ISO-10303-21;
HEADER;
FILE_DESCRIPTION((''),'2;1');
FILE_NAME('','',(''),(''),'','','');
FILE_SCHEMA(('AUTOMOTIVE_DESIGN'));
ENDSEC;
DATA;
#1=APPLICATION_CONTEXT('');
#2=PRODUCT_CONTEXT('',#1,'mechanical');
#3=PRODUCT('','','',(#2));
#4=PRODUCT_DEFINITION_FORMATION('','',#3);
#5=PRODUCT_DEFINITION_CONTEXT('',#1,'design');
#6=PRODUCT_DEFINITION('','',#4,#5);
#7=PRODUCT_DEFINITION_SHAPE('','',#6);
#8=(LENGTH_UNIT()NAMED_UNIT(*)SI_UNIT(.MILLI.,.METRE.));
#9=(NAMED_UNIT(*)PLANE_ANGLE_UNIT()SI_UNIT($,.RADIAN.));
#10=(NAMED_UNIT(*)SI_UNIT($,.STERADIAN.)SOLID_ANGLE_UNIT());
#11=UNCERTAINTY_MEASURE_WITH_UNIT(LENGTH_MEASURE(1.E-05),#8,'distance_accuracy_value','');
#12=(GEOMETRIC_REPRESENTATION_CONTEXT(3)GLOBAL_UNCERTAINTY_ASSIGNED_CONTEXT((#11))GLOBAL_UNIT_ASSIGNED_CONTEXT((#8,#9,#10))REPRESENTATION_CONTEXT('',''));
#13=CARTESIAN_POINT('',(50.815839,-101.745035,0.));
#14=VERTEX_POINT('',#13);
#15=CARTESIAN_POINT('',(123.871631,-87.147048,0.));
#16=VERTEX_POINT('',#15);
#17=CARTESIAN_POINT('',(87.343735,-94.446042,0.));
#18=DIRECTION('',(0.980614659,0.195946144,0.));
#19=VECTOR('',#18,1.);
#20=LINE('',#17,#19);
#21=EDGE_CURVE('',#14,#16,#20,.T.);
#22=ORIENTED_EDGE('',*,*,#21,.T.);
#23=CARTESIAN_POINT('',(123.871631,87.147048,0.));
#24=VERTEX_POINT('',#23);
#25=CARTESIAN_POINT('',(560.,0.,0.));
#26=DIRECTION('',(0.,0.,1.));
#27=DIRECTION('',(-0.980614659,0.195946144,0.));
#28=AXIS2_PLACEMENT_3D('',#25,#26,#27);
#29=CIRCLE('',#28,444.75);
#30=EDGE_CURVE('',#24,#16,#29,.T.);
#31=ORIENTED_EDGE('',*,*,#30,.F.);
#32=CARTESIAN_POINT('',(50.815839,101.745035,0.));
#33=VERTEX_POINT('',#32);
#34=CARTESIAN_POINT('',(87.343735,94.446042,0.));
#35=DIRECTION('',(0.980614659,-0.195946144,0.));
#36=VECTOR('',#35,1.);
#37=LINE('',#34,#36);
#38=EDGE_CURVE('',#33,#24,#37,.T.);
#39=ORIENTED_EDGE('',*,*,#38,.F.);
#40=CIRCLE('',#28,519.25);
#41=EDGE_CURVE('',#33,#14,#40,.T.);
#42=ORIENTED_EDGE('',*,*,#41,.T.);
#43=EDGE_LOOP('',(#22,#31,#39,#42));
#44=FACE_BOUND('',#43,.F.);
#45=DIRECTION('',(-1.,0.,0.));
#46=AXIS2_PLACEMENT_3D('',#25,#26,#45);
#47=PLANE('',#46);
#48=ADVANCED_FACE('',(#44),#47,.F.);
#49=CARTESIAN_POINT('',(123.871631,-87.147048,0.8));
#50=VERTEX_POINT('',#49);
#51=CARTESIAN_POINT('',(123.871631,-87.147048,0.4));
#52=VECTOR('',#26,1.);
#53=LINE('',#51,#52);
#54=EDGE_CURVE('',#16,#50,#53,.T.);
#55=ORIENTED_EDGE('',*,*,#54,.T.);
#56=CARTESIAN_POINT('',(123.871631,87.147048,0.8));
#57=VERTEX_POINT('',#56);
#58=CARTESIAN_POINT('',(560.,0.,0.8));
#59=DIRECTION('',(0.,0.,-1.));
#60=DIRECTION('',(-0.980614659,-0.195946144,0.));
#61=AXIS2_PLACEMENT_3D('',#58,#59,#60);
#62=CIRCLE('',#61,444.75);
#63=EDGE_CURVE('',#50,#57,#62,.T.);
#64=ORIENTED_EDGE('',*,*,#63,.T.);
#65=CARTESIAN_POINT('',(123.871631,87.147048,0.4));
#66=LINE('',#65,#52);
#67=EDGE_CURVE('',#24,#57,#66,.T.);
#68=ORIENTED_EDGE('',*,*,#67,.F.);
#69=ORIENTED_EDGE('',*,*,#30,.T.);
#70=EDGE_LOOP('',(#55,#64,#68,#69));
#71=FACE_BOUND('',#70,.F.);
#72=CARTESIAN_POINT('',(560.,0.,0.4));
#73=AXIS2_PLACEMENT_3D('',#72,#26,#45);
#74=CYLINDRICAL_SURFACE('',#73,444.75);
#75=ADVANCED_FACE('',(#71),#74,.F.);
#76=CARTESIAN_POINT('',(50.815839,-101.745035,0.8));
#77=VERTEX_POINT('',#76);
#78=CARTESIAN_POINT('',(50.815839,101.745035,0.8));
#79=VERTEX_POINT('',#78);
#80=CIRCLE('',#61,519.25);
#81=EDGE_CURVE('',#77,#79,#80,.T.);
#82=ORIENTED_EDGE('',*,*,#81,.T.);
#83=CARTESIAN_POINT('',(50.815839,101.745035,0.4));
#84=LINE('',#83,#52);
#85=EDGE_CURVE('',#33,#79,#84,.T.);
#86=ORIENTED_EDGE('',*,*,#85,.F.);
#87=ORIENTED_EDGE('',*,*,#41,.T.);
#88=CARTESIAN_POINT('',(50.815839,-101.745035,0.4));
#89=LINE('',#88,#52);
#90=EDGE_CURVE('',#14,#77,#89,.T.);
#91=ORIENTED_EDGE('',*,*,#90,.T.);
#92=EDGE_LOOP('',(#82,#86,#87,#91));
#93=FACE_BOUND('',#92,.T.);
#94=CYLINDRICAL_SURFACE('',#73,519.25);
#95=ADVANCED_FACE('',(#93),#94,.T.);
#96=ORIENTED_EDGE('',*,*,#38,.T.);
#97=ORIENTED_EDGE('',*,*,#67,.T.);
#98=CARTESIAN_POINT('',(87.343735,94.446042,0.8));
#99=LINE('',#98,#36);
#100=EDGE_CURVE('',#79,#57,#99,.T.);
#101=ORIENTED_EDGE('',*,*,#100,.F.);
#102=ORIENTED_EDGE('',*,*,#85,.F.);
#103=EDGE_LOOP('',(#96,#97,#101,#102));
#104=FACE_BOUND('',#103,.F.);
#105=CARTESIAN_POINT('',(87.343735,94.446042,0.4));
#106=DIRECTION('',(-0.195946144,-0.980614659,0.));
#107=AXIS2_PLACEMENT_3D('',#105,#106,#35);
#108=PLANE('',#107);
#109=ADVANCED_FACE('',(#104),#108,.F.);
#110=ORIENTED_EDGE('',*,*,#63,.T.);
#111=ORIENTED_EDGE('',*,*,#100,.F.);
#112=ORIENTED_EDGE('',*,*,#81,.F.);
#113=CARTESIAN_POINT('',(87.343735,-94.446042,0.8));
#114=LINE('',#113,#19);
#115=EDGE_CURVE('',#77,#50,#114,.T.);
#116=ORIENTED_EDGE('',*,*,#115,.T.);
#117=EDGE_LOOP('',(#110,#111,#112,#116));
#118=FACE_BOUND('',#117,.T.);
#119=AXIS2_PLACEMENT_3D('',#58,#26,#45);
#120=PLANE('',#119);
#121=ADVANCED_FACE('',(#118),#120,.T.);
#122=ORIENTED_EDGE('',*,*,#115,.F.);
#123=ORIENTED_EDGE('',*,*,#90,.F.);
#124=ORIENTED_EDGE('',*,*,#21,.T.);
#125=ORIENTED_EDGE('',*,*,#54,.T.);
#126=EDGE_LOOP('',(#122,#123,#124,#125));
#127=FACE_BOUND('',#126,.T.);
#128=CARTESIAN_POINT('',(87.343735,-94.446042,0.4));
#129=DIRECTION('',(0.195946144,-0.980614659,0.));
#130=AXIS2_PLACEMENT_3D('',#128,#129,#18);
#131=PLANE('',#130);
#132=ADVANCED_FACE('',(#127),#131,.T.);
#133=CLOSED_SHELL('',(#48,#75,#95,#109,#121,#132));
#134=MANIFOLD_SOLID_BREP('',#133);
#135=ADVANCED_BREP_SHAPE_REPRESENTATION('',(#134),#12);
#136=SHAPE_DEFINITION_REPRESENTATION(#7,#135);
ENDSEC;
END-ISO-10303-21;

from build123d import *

# Parameters (mm, degrees)
F0_W     = 74.5
F0_H     = 0.8
F1_ANGLE = 22.6


with BuildPart() as f1:
    # F0 (on Front) → F1 (revolve, symmetric)
    with BuildSketch(Plane.XZ) as f1_sk:
        with Locations((78, 0.4)):
            Rectangle(F0_W, F0_H)
    revolve(axis=Axis((560, 0, 6.235936), (0, 0, -1)), revolution_arc=F1_ANGLE / 2)
    revolve(f1_sk.sketch, axis=Axis((560, 0, 6.235936), (0, 0, 1)), revolution_arc=F1_ANGLE / 2)


solid = f1.part
